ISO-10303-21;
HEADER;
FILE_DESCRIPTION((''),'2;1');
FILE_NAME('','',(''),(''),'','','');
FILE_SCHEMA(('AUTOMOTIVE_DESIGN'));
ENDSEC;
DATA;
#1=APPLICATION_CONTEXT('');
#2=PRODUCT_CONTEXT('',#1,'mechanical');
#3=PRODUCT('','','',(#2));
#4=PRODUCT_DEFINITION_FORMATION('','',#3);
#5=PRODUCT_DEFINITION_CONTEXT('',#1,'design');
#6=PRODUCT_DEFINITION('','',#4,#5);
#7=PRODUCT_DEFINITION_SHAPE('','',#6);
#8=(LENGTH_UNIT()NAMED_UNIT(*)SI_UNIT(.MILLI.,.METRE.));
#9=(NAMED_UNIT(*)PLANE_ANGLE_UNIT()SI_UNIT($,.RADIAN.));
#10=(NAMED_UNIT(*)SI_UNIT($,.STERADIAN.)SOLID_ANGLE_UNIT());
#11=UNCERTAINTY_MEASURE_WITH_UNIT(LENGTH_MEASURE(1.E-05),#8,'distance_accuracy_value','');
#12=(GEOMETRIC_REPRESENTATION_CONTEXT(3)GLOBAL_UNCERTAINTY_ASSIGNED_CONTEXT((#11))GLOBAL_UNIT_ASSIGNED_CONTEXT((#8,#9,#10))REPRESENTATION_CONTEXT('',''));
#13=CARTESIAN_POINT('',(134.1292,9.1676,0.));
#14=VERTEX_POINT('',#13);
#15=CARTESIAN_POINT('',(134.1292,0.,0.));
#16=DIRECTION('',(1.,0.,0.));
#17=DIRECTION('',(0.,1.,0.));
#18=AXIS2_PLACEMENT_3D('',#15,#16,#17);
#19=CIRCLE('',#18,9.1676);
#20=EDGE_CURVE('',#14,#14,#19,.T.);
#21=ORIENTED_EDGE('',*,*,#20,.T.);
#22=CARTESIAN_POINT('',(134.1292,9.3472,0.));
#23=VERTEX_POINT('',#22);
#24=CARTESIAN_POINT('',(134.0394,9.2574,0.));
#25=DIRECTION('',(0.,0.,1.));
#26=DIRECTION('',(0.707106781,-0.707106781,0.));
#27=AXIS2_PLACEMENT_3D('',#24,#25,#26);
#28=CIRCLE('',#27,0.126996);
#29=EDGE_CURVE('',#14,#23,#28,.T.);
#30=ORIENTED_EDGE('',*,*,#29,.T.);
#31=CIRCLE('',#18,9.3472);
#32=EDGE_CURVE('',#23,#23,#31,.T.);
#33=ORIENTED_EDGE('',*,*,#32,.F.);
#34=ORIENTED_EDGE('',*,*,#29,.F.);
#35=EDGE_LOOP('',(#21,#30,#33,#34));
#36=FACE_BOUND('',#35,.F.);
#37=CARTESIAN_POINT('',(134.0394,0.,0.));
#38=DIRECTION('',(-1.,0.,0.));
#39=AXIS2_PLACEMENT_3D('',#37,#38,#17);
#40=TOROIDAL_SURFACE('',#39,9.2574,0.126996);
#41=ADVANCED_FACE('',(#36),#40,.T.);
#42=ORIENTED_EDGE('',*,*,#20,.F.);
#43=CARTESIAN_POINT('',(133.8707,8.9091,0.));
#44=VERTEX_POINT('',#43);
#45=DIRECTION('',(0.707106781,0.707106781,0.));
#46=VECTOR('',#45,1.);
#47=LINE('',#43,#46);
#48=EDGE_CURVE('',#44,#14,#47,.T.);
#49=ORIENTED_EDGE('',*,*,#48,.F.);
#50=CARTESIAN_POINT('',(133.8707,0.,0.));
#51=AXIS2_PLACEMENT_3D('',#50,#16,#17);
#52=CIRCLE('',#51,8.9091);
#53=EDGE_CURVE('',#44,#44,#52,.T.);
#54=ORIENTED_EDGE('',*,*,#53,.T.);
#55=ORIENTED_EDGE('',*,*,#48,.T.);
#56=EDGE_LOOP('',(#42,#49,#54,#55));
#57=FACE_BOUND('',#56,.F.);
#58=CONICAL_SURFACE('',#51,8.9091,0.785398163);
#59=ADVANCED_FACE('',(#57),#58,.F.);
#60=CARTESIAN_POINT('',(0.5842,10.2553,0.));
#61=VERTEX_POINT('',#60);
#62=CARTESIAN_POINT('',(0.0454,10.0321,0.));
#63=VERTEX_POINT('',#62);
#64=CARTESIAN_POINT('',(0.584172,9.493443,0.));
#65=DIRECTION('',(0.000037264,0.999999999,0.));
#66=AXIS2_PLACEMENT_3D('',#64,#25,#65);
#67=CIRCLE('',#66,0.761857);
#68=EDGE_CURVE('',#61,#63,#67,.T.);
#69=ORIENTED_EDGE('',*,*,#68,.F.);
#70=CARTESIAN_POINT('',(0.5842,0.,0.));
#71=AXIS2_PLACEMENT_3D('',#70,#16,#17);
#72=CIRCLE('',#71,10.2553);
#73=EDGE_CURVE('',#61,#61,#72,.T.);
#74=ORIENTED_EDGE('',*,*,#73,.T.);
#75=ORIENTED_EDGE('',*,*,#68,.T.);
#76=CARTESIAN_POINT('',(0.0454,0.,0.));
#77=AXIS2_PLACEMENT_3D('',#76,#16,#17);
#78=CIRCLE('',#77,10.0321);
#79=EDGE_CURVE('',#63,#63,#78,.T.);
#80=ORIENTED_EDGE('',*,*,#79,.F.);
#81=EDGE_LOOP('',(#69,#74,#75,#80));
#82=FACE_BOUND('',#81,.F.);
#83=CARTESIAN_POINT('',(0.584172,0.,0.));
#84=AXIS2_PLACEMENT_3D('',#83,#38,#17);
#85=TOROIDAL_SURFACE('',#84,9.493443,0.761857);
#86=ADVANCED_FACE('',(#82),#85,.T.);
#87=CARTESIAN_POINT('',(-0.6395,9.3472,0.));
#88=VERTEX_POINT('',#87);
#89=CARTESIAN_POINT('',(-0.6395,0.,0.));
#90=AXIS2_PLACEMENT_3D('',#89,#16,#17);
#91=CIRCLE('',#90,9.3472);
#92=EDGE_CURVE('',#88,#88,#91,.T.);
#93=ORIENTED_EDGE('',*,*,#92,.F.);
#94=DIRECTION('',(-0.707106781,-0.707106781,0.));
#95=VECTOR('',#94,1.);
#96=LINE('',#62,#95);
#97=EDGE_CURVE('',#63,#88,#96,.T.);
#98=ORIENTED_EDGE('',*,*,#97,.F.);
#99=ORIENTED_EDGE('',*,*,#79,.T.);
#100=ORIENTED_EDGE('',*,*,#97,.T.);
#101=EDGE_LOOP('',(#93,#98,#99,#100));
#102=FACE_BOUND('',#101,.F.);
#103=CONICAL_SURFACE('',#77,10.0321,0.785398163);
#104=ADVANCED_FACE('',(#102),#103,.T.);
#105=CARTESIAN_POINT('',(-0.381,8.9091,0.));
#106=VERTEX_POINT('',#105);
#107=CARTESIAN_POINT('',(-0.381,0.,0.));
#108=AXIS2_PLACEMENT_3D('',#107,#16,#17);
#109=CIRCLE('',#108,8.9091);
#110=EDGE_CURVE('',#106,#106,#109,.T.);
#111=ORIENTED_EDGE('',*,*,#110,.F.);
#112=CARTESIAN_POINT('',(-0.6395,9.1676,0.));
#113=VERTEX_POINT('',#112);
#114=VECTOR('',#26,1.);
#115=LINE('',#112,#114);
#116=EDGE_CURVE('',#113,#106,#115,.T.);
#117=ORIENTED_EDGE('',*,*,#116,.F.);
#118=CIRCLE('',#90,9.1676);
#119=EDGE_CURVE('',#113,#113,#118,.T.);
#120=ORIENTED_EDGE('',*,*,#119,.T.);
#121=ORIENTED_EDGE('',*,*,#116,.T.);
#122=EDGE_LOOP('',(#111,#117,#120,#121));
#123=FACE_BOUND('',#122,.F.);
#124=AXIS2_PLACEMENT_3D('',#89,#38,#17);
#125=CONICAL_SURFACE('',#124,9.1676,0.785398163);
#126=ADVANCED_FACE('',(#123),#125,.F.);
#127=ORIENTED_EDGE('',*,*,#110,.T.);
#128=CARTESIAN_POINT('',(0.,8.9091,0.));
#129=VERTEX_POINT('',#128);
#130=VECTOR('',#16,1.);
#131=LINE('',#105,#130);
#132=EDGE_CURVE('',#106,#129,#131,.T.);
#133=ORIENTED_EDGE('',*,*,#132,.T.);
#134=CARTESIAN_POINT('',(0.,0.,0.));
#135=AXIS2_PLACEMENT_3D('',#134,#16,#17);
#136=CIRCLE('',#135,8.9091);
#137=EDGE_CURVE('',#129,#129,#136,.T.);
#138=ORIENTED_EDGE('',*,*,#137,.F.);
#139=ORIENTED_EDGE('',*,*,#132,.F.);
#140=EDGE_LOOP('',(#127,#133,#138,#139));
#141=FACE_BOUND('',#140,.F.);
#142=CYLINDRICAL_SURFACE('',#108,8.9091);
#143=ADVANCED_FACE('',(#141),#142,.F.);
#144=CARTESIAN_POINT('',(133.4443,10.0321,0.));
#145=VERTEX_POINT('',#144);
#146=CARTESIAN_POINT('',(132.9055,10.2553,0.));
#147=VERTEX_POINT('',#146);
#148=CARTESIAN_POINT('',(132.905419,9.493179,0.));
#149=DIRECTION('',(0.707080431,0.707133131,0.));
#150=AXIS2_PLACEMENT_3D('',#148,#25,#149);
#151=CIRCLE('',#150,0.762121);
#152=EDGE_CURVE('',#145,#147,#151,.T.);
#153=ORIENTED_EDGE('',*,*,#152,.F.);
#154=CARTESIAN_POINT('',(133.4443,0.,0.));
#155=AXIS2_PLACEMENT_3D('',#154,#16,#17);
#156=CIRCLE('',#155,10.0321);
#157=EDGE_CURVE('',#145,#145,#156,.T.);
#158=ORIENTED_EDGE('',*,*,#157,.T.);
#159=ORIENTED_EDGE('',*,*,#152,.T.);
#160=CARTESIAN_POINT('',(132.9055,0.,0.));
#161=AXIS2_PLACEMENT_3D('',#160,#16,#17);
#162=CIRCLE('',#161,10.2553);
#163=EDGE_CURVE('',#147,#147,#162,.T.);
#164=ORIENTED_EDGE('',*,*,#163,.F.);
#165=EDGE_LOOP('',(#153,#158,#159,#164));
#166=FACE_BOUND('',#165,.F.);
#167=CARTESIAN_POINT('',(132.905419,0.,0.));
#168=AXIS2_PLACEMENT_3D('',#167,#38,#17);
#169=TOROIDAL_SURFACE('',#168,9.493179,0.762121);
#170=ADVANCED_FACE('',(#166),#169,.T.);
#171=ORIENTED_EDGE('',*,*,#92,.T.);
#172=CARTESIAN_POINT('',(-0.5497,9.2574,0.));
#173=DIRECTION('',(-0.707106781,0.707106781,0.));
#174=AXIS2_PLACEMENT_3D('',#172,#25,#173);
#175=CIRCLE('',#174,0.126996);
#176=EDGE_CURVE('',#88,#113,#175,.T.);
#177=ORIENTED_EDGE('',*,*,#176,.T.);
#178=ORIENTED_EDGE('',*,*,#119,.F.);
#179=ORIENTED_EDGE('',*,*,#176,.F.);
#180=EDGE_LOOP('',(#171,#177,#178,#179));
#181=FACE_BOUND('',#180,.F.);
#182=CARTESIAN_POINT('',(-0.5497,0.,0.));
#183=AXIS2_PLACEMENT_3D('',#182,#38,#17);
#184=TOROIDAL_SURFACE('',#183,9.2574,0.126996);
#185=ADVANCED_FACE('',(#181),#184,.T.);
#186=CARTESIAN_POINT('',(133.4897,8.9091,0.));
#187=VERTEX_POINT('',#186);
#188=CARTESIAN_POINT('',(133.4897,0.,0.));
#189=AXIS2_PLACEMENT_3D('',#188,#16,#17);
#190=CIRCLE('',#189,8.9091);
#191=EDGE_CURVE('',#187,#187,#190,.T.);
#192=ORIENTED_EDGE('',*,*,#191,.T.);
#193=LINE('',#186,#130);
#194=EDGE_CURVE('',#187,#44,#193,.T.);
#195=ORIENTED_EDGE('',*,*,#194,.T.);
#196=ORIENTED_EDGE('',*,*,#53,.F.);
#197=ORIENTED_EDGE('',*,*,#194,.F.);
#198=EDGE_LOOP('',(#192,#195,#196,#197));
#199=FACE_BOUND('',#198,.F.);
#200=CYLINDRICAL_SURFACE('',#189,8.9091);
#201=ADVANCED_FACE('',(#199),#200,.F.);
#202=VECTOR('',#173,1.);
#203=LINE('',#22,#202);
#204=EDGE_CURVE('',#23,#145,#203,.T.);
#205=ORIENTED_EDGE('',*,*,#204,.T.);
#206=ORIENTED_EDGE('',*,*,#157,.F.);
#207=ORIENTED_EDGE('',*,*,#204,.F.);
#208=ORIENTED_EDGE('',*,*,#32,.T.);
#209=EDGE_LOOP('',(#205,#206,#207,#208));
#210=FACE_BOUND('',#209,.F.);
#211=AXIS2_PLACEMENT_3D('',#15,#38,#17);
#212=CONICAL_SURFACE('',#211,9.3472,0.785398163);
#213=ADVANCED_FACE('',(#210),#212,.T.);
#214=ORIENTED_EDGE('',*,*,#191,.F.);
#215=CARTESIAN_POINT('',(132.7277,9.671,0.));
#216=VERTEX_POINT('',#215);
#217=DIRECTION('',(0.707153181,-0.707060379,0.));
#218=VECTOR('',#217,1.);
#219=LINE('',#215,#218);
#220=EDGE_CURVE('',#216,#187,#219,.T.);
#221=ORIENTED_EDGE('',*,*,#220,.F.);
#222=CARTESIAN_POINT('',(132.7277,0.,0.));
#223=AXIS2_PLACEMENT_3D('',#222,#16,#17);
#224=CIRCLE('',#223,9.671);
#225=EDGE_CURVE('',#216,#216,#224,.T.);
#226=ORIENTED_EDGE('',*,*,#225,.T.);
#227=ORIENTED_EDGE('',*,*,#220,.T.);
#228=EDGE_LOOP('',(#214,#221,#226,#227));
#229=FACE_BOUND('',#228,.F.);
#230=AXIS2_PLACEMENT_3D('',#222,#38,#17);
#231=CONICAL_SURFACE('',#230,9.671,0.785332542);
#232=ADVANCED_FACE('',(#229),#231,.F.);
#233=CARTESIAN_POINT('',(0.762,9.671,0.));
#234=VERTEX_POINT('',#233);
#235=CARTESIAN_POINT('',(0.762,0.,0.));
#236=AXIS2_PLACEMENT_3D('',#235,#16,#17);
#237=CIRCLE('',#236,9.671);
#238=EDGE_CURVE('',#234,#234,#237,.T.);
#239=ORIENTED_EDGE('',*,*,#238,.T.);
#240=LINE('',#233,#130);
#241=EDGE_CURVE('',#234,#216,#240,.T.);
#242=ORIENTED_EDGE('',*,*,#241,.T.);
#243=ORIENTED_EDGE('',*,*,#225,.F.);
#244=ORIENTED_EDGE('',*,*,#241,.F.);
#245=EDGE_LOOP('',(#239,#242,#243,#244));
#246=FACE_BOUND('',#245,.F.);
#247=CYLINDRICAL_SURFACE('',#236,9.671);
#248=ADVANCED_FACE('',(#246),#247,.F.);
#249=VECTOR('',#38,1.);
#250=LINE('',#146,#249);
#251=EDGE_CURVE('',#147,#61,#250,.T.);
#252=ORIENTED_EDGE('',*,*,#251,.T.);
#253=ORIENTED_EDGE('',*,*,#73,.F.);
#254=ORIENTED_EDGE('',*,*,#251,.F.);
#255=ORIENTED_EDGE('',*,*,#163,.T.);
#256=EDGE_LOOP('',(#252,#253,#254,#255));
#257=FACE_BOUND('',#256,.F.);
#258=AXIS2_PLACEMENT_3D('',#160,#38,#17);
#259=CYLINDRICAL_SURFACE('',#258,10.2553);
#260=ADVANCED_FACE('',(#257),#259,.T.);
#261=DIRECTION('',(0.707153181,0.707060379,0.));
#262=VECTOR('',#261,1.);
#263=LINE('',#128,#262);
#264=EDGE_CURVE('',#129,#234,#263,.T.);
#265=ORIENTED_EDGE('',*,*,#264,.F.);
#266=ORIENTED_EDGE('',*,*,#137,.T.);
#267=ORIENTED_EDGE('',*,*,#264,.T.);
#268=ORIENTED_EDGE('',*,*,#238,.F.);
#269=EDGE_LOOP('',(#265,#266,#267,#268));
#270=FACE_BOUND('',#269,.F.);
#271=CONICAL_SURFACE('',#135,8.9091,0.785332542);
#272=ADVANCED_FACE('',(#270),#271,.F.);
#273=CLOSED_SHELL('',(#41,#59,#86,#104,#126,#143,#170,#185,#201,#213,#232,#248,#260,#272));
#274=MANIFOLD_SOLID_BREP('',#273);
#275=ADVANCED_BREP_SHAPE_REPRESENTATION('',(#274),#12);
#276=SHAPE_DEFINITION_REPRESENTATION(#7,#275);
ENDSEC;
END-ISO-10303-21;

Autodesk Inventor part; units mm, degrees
sketch "Sketch_1" plane through (0, 0, 0) normal (0, 0, 1) x (1, 0, 0)
  line L0 (133.4897, 0) -> (0, 0)
  arc A0 (-0.6395, 9.3472) -> (-0.6395, 9.1676) centre (-0.5497, 9.2574) ccw
  line L1 (-0.6395, 9.1676) -> (-0.381, 8.9091)
  line L2 (-0.381, 8.9091) -> (0, 8.9091)
  line L3 (0, 8.9091) -> (0.762, 9.671)
  line L4 (0.762, 9.671) -> (132.7277, 9.671)
  line L5 (132.7277, 9.671) -> (133.4897, 8.9091)
  line L6 (133.4897, 8.9091) -> (133.8707, 8.9091)
  line L7 (133.8707, 8.9091) -> (134.1292, 9.1676)
  arc A1 (134.1292, 9.1676) -> (134.1292, 9.3472) centre (134.0394, 9.2574) ccw
  line L8 (134.1292, 9.3472) -> (133.4443, 10.0321)
  arc A2 (133.4443, 10.0321) -> (132.9055, 10.2553) centre (132.9055, 9.4933) ccw
  line L9 (132.9055, 10.2553) -> (0.5842, 10.2553)
  arc A3 (0.5842, 10.2553) -> (0.0454, 10.0321) centre (0.5842, 9.4933) ccw
  line L10 (0.0454, 10.0321) -> (-0.6395, 9.3472)
revolve "Revolution1" add sketch "Sketch_1" angle 360 about axis through (133.4897, 0, 0) along (1, 0, 0)
ref_plane "tube_front_XY" through (0, 0, 0) normal (1, 0, 0) x (0, 0, -1)
ref_plane "tube_front_YZ" through (0, 0, 0) normal (0, 0, -1) x (0, 1, 0)
ref_plane "tube_front_ZX" through (0, 0, 0) normal (0, 1, 0) x (1, 0, 0)
ref_plane "tube_rear_XY" through (133.4897, 0, 0) normal (1, 0, 0) x (0, 0, -1)
ref_plane "tube_rear_YZ" through (133.4897, 0, 0) normal (0, 0, -1) x (0, 1, 0)
ref_plane "tube_rear_ZX" through (133.4897, 0, 0) normal (0, 1, 0) x (1, 0, 0)
ref_plane "cp1_XY" through (66.7449, 10.2553, 0) normal (1, 0, 0) x (0, 0, -1)
ref_plane "cp1_YZ" through (66.7449, 10.2553, 0) normal (0, 0, -1) x (0, 1, 0)
ref_plane "cp1_ZX" through (66.7449, 10.2553, 0) normal (0, 1, 0) x (1, 0, 0)
ref_plane "cp2_XY" through (66.7449, 0, -10.2553) normal (1, 0, 0) x (0, 0, -1)
ref_plane "cp2_YZ" through (66.7449, 0, -10.2553) normal (0, 0, -1) x (0, 1, 0)
ref_plane "cp2_ZX" through (66.7449, 0, -10.2553) normal (0, 1, 0) x (1, 0, 0)
ref_plane "cp3_XY" through (66.7449, -10.2553, 0) normal (1, 0, 0) x (0, 0, -1)
ref_plane "cp3_YZ" through (66.7449, -10.2553, 0) normal (0, 0, -1) x (0, 1, 0)
ref_plane "cp3_ZX" through (66.7449, -10.2553, 0) normal (0, 1, 0) x (1, 0, 0)
ref_plane "cp4_XY" through (66.7449, 0, 10.2553) normal (1, 0, 0) x (0, 0, -1)
ref_plane "cp4_YZ" through (66.7449, 0, 10.2553) normal (0, 0, -1) x (0, 1, 0)
ref_plane "cp4_ZX" through (66.7449, 0, 10.2553) normal (0, 1, 0) x (1, 0, 0)
properties part number "04R-5.25550" material "Stainless Steel"
